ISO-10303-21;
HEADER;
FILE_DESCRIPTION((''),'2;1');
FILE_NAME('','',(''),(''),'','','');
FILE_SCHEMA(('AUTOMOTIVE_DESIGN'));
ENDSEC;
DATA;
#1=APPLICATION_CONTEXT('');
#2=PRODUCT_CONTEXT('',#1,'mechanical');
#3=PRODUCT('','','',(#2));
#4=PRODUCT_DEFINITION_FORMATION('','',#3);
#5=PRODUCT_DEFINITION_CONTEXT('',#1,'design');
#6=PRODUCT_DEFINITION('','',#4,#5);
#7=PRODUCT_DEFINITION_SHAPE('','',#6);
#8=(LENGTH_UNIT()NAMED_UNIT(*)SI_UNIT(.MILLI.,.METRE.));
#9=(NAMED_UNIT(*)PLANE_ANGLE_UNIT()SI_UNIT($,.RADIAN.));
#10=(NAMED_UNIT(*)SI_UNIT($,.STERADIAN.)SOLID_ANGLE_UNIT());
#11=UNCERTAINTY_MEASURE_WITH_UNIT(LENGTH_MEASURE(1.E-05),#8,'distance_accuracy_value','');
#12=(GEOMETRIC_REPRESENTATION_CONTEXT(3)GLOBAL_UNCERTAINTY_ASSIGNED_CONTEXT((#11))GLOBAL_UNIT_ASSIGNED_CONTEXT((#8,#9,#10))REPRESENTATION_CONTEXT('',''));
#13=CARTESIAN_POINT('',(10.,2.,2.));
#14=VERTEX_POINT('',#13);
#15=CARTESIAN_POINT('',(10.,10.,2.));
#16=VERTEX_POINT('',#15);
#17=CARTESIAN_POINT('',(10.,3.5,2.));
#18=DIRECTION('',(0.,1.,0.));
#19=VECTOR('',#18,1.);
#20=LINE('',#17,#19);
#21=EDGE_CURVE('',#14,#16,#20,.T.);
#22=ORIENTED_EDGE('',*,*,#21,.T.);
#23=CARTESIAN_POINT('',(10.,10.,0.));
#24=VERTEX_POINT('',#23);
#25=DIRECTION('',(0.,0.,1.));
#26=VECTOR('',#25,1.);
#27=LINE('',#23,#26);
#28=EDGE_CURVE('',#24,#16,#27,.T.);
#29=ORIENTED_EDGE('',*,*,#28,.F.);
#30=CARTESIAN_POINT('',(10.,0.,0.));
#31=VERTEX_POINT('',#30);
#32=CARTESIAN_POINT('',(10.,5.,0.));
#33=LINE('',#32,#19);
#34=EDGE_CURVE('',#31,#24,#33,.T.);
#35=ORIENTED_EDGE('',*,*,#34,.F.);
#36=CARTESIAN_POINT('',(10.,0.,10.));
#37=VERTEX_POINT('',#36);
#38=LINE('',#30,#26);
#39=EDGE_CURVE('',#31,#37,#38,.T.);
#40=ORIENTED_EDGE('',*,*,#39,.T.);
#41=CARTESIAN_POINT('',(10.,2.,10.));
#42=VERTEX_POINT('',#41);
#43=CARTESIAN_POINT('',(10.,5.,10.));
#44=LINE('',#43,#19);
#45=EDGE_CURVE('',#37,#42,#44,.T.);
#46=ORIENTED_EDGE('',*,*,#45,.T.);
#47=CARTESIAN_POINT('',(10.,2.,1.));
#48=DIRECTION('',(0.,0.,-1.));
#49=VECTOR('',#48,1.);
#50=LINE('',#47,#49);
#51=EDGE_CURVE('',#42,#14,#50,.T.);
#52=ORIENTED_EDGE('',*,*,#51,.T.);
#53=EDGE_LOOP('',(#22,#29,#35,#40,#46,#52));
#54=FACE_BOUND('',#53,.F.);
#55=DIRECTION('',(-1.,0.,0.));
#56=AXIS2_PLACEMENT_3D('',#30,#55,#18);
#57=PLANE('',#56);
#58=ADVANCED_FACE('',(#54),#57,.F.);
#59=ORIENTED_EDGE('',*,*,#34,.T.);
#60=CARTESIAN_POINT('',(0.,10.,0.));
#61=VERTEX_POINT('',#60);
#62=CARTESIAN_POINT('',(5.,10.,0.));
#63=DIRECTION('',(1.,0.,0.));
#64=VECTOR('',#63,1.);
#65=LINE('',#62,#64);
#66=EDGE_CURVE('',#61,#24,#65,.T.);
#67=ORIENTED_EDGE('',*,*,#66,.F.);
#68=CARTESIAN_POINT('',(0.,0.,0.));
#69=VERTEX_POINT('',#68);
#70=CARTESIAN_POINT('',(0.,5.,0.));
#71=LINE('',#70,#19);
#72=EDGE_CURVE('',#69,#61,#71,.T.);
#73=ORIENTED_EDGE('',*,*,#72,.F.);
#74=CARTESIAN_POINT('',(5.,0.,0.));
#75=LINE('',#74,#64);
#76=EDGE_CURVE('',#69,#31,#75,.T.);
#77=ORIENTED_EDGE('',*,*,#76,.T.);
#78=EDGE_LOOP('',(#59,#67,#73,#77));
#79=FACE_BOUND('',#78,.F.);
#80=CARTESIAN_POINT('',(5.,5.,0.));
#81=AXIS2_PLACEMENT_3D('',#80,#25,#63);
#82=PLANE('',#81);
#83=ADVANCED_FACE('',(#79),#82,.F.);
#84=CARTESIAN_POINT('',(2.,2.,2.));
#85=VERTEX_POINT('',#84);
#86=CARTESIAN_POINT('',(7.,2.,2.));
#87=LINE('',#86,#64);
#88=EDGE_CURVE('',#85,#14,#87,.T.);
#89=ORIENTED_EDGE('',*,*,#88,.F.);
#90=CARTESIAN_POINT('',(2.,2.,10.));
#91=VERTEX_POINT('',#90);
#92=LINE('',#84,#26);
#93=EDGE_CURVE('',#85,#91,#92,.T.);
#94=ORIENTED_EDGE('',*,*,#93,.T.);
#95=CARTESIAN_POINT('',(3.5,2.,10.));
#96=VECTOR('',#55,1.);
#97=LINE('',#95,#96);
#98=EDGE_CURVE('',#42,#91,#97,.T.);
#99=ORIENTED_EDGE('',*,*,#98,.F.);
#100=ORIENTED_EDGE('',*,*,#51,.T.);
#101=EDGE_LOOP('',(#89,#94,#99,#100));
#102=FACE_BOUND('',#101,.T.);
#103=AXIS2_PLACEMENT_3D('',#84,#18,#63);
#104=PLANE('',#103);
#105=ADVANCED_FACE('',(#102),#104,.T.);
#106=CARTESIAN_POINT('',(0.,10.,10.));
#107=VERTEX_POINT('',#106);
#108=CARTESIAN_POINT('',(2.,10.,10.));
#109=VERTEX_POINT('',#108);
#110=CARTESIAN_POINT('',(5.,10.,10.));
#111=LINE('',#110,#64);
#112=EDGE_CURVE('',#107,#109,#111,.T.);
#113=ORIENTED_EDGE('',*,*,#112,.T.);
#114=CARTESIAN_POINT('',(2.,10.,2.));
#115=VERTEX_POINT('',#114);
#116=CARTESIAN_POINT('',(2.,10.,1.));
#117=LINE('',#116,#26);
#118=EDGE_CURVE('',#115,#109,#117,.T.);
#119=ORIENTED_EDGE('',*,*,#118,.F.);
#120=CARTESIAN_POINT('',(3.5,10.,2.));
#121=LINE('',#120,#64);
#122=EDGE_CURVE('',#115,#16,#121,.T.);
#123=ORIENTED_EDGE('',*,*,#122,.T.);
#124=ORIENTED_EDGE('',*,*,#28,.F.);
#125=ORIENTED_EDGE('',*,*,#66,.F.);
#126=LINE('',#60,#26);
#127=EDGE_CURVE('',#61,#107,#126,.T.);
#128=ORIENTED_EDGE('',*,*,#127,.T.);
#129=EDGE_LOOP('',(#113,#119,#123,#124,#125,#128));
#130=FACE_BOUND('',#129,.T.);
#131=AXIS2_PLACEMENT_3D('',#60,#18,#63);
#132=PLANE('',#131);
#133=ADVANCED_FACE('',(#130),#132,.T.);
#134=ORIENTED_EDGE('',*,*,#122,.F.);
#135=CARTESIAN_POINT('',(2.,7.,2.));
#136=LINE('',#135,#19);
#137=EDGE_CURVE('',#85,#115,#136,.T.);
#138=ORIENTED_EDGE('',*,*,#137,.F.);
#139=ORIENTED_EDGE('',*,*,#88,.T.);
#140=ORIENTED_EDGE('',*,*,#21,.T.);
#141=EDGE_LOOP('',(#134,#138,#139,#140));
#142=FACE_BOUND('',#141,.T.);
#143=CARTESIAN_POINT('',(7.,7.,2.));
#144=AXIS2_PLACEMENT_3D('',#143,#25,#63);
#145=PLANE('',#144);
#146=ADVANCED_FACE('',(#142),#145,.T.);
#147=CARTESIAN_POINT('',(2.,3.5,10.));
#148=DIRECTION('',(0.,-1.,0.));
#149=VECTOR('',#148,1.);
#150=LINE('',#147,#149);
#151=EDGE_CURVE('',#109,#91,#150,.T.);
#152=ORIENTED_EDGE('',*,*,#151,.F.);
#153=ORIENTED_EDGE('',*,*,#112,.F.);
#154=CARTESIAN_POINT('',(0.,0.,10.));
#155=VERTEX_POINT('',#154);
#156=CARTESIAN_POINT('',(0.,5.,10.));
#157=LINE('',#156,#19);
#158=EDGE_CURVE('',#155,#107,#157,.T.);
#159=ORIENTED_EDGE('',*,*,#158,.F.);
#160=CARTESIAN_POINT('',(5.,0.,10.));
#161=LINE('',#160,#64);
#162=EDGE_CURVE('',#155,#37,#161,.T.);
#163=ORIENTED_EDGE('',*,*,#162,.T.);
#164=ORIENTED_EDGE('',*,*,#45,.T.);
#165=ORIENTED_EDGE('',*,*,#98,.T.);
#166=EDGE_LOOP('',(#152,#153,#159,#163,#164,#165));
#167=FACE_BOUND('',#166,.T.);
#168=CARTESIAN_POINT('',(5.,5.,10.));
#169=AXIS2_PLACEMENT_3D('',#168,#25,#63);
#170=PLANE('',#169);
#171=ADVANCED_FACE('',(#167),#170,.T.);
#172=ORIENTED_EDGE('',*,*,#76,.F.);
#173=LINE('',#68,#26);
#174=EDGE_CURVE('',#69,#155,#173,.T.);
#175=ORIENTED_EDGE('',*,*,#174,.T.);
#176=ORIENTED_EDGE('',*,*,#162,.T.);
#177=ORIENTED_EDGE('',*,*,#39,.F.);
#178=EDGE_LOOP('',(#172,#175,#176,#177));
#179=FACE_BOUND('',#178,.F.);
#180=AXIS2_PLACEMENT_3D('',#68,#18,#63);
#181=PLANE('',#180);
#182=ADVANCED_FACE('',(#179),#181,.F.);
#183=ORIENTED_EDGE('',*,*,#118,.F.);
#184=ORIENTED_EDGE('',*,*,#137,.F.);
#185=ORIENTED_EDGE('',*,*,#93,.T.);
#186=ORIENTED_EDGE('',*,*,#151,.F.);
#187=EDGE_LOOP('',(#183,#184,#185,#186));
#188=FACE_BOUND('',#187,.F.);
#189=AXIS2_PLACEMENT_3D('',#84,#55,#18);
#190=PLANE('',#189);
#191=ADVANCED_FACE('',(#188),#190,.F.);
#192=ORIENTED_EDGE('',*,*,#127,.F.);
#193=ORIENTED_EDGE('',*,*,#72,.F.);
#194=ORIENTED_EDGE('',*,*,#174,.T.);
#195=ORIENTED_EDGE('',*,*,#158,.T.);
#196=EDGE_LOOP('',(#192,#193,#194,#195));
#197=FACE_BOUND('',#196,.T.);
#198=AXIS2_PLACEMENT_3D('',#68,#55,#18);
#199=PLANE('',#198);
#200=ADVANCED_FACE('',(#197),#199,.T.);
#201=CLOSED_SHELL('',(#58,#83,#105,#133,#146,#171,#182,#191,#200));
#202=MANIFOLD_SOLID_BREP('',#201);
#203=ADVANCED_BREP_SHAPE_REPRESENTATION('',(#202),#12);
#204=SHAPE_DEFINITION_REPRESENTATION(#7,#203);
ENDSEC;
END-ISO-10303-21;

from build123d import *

# Parameters (mm, degrees)
BOX001_W     = 10
BOX001_H     = 10
BOX001_DEPTH = 10
BOX_W        = 10
BOX_H        = 10
BOX_DEPTH    = 10


with BuildPart() as cube001:
    # Box001 → Box001 (new body)
    with BuildSketch(Plane(origin=(2, 2, 2), x_dir=(1, 0, 0), z_dir=(0, 0, 1))):
        with Locations((5, 5)):
            Rectangle(BOX001_W, BOX001_H)
    extrude(amount=BOX001_DEPTH)


with BuildPart() as mi_pieza:
    # Box → Box (new body)
    with BuildSketch(Plane.XY):
        with Locations((5, 5)):
            Rectangle(BOX_W, BOX_H)
    extrude(amount=BOX_DEPTH)

    # Cut: cut Cube001
    add(cube001.part, mode=Mode.SUBTRACT)


solid = mi_pieza.part
